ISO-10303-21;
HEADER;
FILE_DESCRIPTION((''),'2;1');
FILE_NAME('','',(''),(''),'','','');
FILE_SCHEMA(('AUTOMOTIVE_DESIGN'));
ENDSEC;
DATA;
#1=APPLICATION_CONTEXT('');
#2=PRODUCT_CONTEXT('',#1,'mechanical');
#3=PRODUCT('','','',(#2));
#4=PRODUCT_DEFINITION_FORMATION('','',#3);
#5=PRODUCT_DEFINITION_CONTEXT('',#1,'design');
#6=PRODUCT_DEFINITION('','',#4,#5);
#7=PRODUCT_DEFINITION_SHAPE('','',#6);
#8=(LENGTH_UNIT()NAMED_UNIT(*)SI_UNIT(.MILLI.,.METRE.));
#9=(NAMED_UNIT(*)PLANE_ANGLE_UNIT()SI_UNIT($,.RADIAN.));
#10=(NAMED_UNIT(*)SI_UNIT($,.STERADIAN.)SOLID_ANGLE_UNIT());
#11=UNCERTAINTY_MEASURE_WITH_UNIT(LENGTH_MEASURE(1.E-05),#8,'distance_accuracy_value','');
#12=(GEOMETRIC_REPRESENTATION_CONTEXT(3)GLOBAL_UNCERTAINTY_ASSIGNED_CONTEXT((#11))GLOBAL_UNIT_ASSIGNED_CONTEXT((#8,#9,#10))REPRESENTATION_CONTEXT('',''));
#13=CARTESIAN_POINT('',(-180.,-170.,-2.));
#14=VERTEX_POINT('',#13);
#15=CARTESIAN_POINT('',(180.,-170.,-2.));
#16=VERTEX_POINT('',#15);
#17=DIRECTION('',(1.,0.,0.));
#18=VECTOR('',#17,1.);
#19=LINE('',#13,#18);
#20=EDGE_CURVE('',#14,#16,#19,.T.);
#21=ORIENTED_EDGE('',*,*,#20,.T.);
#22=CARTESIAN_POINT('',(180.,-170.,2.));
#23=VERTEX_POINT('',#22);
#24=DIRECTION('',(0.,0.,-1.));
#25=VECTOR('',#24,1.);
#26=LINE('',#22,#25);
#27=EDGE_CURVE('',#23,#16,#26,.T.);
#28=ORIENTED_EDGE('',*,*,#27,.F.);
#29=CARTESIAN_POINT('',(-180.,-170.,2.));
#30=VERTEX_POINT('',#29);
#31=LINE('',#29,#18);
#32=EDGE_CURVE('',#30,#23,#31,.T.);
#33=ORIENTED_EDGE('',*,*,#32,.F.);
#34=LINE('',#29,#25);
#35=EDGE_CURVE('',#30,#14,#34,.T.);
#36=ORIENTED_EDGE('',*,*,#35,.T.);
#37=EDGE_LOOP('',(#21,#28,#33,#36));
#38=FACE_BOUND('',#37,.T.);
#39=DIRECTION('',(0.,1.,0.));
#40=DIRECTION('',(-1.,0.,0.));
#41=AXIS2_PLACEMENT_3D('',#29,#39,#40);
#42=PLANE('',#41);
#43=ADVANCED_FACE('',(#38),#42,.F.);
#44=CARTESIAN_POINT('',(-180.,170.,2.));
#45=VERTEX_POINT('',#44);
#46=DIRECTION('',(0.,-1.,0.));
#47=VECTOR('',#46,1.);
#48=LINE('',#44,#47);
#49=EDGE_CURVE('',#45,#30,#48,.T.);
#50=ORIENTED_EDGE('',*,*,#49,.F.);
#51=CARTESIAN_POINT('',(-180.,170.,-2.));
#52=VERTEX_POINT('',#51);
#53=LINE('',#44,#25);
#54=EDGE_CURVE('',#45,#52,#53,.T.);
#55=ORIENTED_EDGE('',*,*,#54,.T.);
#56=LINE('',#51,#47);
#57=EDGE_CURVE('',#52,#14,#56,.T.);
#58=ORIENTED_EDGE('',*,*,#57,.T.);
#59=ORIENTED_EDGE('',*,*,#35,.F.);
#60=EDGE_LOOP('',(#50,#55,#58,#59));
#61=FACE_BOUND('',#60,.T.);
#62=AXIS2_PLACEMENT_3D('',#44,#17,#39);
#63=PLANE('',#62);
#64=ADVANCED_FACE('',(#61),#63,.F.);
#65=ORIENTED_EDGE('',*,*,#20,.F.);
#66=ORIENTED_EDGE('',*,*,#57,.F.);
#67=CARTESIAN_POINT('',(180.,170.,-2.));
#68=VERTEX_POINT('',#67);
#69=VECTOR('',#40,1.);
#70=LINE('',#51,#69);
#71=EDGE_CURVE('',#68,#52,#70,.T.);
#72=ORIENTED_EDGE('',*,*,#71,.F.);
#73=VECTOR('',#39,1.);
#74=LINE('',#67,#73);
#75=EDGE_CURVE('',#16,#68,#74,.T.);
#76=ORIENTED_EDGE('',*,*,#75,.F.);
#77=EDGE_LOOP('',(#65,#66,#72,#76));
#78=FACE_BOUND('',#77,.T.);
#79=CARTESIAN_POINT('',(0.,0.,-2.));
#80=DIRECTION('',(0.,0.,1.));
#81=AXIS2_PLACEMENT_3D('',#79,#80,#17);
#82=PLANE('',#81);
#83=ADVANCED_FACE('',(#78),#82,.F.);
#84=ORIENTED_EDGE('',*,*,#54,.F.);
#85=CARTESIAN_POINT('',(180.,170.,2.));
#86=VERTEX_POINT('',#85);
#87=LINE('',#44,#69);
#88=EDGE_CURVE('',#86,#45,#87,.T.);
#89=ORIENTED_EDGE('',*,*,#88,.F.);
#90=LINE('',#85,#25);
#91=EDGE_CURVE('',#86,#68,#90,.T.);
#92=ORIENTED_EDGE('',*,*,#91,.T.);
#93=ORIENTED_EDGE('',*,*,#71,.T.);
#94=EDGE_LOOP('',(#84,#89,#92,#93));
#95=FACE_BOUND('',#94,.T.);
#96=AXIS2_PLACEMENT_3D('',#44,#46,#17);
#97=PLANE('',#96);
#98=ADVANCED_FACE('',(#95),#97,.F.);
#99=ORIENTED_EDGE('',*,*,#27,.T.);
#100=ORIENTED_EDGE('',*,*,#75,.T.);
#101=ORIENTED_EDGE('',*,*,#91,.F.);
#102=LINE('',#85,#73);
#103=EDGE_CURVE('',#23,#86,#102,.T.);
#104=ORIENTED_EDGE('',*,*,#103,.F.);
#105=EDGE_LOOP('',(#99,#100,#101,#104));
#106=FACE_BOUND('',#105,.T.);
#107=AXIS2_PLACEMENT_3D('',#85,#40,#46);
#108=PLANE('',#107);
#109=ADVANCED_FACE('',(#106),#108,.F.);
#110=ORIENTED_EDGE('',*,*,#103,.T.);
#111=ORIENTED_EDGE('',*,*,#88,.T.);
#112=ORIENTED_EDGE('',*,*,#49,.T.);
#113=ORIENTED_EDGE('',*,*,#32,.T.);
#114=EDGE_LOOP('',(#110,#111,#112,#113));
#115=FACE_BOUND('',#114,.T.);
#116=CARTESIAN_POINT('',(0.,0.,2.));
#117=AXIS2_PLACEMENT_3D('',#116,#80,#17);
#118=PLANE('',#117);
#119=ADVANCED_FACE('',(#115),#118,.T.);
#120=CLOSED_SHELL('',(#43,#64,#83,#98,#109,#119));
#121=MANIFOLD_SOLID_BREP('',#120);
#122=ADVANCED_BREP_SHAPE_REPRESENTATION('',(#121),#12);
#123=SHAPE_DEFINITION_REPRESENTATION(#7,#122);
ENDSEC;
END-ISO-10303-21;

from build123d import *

# Parameters (mm, degrees)
SKETCH1_W           = 360
SKETCH1_H           = 340
BOSS_EXTRUDE1_DEPTH = 2


with BuildPart() as part:
    # Sketch1 → Boss-Extrude1 (new, symmetric)
    with BuildSketch(Plane.XY):
        Rectangle(SKETCH1_W, SKETCH1_H)
    extrude(amount=BOSS_EXTRUDE1_DEPTH, both=True)


solid = part.part
